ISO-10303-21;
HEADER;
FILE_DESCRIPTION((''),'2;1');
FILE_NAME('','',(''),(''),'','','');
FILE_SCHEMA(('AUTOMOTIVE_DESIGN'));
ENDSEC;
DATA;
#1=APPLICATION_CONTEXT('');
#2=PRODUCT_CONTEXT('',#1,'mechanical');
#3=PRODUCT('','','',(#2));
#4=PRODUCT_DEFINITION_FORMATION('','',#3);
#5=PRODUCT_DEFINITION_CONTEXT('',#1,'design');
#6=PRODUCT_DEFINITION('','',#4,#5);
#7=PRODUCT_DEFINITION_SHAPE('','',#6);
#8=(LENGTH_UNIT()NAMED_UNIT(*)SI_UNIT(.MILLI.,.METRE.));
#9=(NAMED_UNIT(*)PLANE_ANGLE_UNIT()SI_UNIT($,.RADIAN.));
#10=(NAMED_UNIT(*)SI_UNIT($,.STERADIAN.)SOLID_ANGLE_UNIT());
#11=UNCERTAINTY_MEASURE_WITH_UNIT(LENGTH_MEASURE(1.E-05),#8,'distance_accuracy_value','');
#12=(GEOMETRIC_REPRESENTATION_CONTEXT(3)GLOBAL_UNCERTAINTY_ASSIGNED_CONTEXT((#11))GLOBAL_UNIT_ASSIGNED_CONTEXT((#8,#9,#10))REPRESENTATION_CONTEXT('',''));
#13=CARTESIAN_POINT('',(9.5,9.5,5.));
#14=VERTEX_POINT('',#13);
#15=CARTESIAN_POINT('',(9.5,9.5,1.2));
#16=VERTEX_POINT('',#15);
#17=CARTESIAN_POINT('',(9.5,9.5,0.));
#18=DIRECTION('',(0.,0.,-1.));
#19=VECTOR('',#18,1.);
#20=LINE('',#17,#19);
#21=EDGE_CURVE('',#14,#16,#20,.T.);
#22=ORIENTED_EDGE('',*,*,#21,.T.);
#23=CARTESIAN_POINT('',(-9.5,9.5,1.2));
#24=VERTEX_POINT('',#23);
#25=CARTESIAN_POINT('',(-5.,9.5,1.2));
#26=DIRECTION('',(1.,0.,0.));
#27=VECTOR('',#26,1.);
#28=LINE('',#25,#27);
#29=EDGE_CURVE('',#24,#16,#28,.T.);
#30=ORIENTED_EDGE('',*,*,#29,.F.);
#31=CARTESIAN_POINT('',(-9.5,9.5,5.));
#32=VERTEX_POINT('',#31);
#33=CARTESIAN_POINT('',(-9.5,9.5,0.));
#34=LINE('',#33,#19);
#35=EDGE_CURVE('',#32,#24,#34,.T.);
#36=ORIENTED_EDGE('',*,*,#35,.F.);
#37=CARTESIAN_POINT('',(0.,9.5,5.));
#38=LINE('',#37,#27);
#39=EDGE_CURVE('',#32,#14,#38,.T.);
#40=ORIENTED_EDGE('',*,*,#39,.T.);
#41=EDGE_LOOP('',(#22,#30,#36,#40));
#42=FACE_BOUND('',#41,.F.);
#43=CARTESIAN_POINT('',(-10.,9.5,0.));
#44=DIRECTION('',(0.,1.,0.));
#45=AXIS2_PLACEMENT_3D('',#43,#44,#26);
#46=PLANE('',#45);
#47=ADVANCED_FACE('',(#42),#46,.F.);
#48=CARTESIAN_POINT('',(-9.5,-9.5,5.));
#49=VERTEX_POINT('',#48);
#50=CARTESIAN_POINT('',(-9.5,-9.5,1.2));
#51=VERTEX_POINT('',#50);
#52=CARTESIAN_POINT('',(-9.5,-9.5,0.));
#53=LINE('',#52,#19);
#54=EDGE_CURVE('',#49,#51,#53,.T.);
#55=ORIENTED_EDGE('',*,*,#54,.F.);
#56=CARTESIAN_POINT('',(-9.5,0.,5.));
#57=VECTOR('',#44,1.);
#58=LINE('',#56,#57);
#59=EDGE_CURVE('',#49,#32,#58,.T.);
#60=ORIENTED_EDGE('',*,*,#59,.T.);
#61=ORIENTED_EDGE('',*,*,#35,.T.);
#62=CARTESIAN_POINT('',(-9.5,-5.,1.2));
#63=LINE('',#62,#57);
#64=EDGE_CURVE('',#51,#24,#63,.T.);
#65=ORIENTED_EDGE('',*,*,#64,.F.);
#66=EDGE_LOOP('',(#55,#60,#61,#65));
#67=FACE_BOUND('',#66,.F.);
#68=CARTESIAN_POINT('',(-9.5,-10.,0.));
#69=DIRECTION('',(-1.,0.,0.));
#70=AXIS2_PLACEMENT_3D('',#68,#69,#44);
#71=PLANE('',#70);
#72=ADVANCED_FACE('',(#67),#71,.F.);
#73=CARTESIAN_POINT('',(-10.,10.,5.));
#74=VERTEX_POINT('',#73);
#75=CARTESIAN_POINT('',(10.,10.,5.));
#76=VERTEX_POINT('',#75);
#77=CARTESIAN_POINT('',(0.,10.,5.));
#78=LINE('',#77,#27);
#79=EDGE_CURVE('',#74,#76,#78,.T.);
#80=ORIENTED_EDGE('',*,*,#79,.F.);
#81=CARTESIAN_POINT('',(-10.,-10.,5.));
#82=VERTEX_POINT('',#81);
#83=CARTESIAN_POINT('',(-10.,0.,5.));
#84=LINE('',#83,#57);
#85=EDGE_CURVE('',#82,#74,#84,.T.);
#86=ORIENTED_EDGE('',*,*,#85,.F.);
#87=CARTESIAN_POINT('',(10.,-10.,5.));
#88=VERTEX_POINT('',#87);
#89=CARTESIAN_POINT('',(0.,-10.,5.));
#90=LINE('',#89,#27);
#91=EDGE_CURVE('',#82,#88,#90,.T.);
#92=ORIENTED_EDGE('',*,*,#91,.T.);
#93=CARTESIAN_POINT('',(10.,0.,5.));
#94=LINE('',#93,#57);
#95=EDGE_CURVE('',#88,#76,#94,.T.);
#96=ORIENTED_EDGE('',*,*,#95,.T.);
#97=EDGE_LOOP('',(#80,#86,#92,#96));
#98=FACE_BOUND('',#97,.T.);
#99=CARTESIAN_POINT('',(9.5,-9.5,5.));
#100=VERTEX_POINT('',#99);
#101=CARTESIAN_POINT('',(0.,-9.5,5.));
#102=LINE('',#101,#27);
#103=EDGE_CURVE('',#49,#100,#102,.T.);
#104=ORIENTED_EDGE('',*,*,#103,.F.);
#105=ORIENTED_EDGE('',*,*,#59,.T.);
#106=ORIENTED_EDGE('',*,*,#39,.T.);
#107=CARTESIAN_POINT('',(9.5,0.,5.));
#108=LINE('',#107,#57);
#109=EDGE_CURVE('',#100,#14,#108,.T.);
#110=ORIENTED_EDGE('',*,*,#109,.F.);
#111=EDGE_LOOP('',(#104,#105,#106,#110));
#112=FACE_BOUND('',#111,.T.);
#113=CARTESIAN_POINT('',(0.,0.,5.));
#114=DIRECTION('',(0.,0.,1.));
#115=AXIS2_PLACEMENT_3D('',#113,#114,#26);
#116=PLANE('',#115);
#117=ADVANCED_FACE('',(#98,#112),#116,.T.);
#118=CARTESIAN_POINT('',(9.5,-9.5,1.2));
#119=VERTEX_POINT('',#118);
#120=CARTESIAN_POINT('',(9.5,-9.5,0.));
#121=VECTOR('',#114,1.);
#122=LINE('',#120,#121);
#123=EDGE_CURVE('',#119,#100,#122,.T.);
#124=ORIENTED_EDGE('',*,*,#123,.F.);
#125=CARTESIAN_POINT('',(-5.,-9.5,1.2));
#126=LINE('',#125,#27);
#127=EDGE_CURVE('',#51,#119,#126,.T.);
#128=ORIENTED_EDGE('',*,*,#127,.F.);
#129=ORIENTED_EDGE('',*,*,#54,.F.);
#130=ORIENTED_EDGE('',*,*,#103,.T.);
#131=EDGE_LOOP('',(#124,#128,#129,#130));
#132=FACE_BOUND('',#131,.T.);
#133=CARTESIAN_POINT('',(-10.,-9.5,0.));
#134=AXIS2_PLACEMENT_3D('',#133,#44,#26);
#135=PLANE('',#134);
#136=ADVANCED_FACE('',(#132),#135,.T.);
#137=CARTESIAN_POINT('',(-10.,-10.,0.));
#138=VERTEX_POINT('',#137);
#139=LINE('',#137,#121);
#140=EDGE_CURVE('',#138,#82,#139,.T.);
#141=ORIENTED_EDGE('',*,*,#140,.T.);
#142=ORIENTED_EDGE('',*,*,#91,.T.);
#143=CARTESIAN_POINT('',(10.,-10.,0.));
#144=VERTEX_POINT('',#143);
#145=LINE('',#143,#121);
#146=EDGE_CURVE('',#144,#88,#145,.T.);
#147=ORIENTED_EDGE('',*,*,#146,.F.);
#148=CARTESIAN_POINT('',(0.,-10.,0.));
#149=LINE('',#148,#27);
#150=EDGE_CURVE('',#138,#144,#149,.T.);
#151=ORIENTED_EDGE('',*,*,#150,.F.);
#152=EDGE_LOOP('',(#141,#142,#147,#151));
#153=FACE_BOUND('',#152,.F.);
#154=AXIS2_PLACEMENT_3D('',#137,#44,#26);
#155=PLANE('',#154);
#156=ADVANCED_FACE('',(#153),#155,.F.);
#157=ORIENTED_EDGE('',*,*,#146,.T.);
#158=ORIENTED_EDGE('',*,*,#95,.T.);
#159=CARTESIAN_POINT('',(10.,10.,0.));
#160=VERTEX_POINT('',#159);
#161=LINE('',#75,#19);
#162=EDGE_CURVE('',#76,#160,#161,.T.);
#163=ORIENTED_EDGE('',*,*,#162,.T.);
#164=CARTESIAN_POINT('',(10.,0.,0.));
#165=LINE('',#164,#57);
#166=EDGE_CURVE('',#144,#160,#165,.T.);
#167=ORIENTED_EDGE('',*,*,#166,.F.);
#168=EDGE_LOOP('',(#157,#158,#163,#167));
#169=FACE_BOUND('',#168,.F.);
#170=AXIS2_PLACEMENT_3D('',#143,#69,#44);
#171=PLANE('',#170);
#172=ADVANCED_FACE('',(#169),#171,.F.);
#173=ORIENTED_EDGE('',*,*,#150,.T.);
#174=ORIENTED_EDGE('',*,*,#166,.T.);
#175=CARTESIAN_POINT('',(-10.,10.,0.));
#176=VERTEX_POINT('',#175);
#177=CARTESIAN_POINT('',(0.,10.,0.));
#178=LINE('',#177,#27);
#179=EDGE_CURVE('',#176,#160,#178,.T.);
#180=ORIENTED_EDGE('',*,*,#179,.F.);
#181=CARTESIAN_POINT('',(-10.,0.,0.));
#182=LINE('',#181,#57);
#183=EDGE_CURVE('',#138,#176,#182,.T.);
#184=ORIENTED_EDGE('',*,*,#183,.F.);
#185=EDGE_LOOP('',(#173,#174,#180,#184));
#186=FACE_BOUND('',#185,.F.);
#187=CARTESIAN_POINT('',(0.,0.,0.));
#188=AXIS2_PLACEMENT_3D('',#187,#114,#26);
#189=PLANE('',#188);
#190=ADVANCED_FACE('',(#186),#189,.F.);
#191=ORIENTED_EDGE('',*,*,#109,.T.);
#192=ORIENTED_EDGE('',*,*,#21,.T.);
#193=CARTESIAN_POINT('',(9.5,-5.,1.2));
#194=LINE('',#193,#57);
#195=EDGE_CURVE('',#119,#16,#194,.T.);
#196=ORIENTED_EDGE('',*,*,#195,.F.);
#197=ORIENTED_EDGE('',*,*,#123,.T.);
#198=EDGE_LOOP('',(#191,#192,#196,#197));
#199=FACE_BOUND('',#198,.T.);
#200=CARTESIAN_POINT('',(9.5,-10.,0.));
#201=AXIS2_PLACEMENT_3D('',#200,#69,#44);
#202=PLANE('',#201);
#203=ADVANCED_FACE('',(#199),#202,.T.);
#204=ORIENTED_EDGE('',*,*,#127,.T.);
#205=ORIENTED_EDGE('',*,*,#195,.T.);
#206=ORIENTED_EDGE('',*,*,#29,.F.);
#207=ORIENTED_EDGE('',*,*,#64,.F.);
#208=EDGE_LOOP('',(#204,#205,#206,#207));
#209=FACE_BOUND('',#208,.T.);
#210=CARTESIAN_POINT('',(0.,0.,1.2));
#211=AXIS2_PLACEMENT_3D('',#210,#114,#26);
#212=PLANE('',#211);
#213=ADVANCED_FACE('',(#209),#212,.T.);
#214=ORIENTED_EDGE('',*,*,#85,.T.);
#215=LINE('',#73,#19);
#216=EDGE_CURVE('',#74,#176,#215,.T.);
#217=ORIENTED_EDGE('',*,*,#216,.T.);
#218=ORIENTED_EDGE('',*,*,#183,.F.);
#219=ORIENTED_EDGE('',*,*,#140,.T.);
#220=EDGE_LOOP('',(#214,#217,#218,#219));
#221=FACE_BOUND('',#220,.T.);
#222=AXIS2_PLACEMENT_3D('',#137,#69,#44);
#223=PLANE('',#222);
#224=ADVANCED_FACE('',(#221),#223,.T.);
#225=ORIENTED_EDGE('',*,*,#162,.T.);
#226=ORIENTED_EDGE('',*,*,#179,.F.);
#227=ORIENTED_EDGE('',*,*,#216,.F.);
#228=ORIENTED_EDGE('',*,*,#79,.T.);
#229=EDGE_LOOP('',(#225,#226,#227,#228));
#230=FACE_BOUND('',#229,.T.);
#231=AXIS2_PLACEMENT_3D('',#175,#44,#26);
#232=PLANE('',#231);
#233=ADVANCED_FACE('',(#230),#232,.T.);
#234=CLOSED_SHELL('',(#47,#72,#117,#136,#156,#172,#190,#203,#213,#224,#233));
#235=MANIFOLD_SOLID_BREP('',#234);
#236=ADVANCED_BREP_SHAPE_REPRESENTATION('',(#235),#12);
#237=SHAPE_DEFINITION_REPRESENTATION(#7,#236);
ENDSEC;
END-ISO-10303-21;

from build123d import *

# Parameters (mm, degrees)
F0_W     = 20
F0_H     = 20
F1_DEPTH = 5
F2_T     = -0.5
F3_W     = 20
F3_H     = 20
F4_DEPTH = 1.2


with BuildPart() as f1:
    # F0 (on Top) → F1 (new body)
    with BuildSketch(Plane.XY):
        Rectangle(F0_W, F0_H)
    extrude(amount=F1_DEPTH)

    # F2
    f2_openings = [f1.faces().sort_by_distance(p)[0] for p in [
        (0, 0, 5),
        (0, 0, 0),
    ]]
    offset(amount=F2_T, openings=f2_openings)

    # F3 (on Top) → F4 (join)
    with BuildSketch(Plane.XY):
        Rectangle(F3_W, F3_H)
    extrude(amount=F4_DEPTH)


solid = f1.part
